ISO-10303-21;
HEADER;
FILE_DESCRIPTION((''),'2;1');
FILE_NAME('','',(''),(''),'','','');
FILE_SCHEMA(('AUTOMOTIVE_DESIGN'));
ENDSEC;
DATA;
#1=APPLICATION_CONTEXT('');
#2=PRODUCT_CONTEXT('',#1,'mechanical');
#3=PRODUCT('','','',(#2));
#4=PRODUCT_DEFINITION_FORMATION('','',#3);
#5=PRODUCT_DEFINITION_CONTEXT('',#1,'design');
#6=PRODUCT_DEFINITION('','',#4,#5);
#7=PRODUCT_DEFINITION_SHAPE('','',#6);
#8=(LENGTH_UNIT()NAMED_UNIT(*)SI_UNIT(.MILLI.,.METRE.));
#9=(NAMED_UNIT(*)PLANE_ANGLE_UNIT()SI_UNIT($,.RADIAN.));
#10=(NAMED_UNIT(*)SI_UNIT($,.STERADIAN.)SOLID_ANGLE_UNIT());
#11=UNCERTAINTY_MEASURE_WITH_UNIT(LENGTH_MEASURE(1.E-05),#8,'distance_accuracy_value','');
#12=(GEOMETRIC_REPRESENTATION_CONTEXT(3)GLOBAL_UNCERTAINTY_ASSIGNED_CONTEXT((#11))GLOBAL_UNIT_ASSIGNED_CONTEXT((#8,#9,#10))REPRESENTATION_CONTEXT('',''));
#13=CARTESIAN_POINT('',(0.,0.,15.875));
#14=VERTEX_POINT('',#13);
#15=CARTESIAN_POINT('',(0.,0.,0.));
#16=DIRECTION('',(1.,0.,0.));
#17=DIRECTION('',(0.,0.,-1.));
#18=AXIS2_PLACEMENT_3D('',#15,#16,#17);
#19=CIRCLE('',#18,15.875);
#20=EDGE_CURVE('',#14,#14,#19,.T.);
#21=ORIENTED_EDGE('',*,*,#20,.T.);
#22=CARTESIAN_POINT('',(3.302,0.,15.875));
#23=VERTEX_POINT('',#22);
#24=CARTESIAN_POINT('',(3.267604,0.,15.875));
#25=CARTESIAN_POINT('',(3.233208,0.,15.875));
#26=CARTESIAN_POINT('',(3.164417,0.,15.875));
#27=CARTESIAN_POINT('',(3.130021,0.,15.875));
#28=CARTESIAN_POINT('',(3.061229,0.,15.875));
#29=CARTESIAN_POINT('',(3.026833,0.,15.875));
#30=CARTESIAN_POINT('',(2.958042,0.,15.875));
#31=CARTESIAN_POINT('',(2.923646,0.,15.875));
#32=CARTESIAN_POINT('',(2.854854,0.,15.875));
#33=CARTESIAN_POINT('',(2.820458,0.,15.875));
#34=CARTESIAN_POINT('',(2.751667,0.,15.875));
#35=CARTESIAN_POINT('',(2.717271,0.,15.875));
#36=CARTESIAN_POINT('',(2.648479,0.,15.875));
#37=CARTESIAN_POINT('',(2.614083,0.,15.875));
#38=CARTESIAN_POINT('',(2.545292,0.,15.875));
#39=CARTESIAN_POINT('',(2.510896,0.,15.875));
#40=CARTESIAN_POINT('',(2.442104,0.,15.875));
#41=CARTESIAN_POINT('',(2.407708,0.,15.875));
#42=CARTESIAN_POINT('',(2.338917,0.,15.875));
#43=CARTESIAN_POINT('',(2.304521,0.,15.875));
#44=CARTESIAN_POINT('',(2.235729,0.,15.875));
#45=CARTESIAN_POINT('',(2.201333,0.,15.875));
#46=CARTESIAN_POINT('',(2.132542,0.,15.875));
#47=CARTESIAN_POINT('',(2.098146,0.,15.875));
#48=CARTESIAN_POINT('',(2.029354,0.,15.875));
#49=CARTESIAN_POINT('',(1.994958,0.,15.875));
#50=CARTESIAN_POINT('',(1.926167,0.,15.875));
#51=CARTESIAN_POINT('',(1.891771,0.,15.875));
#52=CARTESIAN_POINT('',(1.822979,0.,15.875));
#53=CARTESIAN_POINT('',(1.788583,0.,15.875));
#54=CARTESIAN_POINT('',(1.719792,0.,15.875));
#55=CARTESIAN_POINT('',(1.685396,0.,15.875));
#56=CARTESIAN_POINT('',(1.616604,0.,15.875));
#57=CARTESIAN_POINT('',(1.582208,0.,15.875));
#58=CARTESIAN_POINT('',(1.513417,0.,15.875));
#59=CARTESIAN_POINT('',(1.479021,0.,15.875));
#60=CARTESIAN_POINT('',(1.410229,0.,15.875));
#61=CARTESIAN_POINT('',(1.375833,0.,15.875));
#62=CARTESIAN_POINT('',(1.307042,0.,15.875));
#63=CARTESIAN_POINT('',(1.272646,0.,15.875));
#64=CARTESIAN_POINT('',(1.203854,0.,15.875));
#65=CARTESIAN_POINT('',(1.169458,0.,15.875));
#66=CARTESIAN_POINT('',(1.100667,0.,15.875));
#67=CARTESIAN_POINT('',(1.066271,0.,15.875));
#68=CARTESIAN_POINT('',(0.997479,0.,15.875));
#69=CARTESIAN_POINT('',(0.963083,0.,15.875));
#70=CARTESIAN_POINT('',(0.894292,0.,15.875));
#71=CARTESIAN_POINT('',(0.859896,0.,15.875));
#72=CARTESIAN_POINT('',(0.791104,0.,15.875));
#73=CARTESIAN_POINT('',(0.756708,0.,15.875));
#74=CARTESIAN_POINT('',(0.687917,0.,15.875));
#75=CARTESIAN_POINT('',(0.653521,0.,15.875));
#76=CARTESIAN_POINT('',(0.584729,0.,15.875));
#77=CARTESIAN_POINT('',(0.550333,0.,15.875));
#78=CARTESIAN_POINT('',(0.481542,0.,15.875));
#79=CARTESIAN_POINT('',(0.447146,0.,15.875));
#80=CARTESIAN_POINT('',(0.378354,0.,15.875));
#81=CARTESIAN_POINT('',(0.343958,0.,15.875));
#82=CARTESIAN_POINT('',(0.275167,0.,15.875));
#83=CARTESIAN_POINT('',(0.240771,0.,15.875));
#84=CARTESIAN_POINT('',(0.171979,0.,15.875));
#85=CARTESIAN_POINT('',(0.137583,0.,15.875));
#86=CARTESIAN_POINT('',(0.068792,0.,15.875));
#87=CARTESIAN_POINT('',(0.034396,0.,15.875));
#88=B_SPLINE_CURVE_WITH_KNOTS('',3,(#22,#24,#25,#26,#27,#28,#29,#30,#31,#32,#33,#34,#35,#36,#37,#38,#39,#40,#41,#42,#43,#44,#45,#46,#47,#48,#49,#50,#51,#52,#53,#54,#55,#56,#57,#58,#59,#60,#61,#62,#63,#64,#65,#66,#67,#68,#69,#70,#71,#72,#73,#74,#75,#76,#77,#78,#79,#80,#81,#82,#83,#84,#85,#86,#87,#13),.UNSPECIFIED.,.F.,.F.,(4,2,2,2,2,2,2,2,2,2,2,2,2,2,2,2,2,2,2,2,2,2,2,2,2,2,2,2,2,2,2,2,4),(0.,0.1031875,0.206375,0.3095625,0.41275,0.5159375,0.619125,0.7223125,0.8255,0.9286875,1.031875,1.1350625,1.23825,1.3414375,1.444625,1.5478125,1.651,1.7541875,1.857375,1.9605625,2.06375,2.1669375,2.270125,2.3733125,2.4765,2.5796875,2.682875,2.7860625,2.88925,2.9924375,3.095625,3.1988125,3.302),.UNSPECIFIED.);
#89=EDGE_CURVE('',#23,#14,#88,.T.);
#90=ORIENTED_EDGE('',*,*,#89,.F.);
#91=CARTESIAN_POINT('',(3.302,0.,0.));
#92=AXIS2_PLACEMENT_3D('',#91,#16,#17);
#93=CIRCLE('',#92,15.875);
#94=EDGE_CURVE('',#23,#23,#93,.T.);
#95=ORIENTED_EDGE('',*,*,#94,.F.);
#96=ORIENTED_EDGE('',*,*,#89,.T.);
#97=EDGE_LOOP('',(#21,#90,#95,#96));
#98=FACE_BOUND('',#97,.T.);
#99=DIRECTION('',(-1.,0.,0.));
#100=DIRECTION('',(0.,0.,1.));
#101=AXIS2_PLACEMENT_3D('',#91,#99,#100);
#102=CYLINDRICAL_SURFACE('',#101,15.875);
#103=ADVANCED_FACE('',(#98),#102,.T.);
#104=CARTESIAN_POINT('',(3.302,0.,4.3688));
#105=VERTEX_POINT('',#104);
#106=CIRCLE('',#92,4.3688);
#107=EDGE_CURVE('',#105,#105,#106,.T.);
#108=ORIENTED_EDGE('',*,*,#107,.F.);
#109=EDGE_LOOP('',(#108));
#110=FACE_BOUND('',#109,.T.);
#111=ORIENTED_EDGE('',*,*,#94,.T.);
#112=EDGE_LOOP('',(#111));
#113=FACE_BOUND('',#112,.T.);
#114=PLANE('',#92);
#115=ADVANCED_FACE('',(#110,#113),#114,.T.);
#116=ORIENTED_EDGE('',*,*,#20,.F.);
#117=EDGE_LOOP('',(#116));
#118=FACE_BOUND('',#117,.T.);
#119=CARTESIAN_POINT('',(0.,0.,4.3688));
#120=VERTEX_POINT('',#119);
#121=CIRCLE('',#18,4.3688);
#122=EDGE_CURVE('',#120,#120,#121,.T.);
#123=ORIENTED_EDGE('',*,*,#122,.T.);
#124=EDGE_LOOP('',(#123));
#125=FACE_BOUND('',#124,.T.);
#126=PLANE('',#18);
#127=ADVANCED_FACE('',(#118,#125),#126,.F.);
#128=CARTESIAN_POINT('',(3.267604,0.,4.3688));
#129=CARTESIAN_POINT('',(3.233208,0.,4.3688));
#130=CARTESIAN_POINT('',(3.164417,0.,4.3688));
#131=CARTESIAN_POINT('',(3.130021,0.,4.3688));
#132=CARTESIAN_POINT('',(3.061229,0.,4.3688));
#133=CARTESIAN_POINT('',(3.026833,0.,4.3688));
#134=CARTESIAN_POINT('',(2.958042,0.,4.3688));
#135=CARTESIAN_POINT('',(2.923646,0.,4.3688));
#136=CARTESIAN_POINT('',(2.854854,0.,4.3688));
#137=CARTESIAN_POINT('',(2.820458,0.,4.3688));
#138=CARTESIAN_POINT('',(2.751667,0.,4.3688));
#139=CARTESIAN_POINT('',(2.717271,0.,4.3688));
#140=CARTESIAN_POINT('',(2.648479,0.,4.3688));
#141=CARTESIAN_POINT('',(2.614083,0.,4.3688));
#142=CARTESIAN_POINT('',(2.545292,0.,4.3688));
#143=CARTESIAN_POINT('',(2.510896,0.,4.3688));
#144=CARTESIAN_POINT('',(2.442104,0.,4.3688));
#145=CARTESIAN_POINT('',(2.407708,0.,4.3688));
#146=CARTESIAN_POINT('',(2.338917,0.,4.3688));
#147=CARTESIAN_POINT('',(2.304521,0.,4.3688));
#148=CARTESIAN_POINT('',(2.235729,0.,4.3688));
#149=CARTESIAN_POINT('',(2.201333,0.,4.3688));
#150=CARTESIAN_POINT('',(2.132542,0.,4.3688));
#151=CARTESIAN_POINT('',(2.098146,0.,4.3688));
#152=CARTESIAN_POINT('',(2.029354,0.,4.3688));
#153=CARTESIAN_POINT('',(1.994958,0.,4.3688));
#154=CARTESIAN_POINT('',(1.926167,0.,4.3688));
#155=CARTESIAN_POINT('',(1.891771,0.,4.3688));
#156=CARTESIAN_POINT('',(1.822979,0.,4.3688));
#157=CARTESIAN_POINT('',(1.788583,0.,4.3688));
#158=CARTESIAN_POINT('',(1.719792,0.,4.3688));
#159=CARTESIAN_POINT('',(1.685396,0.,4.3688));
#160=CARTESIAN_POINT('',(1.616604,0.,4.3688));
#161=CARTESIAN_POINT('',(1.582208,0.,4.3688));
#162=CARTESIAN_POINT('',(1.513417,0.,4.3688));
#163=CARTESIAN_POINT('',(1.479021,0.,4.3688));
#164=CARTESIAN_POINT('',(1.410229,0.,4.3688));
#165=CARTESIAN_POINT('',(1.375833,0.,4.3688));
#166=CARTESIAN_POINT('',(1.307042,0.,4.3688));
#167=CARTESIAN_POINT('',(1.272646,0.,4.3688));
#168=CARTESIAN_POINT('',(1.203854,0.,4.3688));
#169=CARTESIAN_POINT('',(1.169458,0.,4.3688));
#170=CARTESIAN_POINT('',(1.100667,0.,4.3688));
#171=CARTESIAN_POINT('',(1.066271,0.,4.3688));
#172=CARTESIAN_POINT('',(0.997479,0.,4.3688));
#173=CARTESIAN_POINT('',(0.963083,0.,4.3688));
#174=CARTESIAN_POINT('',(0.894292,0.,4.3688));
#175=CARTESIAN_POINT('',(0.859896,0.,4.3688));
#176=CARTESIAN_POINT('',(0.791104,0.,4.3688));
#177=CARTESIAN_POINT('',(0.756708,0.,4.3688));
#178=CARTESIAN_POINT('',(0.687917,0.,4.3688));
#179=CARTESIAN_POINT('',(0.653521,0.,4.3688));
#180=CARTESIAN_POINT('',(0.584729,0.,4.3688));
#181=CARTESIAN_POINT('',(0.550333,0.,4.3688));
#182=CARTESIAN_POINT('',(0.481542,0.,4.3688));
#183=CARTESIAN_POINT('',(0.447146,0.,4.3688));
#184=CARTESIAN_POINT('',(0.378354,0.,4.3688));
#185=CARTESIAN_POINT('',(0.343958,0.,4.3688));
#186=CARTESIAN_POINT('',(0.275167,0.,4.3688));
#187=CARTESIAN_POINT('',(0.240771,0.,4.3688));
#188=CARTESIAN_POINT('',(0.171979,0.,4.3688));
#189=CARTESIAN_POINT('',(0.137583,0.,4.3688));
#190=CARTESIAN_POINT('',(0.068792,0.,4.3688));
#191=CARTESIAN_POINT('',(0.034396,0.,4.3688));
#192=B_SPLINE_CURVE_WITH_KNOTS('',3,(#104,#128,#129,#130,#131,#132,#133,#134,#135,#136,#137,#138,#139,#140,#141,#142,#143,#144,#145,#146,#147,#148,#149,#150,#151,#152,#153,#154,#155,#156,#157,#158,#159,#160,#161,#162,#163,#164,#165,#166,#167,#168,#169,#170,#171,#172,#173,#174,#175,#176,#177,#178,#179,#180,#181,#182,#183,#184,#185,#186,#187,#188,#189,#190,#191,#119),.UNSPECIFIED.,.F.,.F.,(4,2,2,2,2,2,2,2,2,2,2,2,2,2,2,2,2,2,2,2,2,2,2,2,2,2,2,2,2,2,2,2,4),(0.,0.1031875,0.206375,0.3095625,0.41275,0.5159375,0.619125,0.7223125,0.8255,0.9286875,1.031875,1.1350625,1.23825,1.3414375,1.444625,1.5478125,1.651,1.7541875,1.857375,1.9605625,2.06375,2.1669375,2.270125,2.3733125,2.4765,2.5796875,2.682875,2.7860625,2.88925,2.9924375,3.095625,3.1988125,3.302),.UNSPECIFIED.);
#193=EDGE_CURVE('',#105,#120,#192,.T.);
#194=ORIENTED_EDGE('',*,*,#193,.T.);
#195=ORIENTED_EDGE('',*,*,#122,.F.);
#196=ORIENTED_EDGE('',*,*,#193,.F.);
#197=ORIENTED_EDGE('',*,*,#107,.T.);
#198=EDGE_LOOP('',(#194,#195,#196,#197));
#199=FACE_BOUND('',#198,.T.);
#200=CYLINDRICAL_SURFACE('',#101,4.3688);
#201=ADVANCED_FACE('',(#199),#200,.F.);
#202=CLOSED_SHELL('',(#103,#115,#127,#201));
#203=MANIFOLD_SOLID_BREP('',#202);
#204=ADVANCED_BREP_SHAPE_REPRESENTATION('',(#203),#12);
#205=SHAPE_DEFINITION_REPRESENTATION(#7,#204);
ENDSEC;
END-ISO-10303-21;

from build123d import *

# Parameters (mm, degrees)
SKETCH1_R           = 15.875
SKETCH1_R_2         = 4.3688
BOSS_EXTRUDE1_DEPTH = 3.302


with BuildPart() as part:
    # Sketch1 → Boss-Extrude1 (new body)
    with BuildSketch(Plane(origin=(0, 0, 0), x_dir=(0, 0, -1), z_dir=(1, 0, 0))):
        with Locations(Location((0, 0, 0), (0, 0, 180))):
            Circle(SKETCH1_R)
        with Locations(Location((0, 0, 0), (0, 0, 180))):
            Circle(SKETCH1_R_2, mode=Mode.SUBTRACT)
    extrude(amount=BOSS_EXTRUDE1_DEPTH)


solid = part.part
